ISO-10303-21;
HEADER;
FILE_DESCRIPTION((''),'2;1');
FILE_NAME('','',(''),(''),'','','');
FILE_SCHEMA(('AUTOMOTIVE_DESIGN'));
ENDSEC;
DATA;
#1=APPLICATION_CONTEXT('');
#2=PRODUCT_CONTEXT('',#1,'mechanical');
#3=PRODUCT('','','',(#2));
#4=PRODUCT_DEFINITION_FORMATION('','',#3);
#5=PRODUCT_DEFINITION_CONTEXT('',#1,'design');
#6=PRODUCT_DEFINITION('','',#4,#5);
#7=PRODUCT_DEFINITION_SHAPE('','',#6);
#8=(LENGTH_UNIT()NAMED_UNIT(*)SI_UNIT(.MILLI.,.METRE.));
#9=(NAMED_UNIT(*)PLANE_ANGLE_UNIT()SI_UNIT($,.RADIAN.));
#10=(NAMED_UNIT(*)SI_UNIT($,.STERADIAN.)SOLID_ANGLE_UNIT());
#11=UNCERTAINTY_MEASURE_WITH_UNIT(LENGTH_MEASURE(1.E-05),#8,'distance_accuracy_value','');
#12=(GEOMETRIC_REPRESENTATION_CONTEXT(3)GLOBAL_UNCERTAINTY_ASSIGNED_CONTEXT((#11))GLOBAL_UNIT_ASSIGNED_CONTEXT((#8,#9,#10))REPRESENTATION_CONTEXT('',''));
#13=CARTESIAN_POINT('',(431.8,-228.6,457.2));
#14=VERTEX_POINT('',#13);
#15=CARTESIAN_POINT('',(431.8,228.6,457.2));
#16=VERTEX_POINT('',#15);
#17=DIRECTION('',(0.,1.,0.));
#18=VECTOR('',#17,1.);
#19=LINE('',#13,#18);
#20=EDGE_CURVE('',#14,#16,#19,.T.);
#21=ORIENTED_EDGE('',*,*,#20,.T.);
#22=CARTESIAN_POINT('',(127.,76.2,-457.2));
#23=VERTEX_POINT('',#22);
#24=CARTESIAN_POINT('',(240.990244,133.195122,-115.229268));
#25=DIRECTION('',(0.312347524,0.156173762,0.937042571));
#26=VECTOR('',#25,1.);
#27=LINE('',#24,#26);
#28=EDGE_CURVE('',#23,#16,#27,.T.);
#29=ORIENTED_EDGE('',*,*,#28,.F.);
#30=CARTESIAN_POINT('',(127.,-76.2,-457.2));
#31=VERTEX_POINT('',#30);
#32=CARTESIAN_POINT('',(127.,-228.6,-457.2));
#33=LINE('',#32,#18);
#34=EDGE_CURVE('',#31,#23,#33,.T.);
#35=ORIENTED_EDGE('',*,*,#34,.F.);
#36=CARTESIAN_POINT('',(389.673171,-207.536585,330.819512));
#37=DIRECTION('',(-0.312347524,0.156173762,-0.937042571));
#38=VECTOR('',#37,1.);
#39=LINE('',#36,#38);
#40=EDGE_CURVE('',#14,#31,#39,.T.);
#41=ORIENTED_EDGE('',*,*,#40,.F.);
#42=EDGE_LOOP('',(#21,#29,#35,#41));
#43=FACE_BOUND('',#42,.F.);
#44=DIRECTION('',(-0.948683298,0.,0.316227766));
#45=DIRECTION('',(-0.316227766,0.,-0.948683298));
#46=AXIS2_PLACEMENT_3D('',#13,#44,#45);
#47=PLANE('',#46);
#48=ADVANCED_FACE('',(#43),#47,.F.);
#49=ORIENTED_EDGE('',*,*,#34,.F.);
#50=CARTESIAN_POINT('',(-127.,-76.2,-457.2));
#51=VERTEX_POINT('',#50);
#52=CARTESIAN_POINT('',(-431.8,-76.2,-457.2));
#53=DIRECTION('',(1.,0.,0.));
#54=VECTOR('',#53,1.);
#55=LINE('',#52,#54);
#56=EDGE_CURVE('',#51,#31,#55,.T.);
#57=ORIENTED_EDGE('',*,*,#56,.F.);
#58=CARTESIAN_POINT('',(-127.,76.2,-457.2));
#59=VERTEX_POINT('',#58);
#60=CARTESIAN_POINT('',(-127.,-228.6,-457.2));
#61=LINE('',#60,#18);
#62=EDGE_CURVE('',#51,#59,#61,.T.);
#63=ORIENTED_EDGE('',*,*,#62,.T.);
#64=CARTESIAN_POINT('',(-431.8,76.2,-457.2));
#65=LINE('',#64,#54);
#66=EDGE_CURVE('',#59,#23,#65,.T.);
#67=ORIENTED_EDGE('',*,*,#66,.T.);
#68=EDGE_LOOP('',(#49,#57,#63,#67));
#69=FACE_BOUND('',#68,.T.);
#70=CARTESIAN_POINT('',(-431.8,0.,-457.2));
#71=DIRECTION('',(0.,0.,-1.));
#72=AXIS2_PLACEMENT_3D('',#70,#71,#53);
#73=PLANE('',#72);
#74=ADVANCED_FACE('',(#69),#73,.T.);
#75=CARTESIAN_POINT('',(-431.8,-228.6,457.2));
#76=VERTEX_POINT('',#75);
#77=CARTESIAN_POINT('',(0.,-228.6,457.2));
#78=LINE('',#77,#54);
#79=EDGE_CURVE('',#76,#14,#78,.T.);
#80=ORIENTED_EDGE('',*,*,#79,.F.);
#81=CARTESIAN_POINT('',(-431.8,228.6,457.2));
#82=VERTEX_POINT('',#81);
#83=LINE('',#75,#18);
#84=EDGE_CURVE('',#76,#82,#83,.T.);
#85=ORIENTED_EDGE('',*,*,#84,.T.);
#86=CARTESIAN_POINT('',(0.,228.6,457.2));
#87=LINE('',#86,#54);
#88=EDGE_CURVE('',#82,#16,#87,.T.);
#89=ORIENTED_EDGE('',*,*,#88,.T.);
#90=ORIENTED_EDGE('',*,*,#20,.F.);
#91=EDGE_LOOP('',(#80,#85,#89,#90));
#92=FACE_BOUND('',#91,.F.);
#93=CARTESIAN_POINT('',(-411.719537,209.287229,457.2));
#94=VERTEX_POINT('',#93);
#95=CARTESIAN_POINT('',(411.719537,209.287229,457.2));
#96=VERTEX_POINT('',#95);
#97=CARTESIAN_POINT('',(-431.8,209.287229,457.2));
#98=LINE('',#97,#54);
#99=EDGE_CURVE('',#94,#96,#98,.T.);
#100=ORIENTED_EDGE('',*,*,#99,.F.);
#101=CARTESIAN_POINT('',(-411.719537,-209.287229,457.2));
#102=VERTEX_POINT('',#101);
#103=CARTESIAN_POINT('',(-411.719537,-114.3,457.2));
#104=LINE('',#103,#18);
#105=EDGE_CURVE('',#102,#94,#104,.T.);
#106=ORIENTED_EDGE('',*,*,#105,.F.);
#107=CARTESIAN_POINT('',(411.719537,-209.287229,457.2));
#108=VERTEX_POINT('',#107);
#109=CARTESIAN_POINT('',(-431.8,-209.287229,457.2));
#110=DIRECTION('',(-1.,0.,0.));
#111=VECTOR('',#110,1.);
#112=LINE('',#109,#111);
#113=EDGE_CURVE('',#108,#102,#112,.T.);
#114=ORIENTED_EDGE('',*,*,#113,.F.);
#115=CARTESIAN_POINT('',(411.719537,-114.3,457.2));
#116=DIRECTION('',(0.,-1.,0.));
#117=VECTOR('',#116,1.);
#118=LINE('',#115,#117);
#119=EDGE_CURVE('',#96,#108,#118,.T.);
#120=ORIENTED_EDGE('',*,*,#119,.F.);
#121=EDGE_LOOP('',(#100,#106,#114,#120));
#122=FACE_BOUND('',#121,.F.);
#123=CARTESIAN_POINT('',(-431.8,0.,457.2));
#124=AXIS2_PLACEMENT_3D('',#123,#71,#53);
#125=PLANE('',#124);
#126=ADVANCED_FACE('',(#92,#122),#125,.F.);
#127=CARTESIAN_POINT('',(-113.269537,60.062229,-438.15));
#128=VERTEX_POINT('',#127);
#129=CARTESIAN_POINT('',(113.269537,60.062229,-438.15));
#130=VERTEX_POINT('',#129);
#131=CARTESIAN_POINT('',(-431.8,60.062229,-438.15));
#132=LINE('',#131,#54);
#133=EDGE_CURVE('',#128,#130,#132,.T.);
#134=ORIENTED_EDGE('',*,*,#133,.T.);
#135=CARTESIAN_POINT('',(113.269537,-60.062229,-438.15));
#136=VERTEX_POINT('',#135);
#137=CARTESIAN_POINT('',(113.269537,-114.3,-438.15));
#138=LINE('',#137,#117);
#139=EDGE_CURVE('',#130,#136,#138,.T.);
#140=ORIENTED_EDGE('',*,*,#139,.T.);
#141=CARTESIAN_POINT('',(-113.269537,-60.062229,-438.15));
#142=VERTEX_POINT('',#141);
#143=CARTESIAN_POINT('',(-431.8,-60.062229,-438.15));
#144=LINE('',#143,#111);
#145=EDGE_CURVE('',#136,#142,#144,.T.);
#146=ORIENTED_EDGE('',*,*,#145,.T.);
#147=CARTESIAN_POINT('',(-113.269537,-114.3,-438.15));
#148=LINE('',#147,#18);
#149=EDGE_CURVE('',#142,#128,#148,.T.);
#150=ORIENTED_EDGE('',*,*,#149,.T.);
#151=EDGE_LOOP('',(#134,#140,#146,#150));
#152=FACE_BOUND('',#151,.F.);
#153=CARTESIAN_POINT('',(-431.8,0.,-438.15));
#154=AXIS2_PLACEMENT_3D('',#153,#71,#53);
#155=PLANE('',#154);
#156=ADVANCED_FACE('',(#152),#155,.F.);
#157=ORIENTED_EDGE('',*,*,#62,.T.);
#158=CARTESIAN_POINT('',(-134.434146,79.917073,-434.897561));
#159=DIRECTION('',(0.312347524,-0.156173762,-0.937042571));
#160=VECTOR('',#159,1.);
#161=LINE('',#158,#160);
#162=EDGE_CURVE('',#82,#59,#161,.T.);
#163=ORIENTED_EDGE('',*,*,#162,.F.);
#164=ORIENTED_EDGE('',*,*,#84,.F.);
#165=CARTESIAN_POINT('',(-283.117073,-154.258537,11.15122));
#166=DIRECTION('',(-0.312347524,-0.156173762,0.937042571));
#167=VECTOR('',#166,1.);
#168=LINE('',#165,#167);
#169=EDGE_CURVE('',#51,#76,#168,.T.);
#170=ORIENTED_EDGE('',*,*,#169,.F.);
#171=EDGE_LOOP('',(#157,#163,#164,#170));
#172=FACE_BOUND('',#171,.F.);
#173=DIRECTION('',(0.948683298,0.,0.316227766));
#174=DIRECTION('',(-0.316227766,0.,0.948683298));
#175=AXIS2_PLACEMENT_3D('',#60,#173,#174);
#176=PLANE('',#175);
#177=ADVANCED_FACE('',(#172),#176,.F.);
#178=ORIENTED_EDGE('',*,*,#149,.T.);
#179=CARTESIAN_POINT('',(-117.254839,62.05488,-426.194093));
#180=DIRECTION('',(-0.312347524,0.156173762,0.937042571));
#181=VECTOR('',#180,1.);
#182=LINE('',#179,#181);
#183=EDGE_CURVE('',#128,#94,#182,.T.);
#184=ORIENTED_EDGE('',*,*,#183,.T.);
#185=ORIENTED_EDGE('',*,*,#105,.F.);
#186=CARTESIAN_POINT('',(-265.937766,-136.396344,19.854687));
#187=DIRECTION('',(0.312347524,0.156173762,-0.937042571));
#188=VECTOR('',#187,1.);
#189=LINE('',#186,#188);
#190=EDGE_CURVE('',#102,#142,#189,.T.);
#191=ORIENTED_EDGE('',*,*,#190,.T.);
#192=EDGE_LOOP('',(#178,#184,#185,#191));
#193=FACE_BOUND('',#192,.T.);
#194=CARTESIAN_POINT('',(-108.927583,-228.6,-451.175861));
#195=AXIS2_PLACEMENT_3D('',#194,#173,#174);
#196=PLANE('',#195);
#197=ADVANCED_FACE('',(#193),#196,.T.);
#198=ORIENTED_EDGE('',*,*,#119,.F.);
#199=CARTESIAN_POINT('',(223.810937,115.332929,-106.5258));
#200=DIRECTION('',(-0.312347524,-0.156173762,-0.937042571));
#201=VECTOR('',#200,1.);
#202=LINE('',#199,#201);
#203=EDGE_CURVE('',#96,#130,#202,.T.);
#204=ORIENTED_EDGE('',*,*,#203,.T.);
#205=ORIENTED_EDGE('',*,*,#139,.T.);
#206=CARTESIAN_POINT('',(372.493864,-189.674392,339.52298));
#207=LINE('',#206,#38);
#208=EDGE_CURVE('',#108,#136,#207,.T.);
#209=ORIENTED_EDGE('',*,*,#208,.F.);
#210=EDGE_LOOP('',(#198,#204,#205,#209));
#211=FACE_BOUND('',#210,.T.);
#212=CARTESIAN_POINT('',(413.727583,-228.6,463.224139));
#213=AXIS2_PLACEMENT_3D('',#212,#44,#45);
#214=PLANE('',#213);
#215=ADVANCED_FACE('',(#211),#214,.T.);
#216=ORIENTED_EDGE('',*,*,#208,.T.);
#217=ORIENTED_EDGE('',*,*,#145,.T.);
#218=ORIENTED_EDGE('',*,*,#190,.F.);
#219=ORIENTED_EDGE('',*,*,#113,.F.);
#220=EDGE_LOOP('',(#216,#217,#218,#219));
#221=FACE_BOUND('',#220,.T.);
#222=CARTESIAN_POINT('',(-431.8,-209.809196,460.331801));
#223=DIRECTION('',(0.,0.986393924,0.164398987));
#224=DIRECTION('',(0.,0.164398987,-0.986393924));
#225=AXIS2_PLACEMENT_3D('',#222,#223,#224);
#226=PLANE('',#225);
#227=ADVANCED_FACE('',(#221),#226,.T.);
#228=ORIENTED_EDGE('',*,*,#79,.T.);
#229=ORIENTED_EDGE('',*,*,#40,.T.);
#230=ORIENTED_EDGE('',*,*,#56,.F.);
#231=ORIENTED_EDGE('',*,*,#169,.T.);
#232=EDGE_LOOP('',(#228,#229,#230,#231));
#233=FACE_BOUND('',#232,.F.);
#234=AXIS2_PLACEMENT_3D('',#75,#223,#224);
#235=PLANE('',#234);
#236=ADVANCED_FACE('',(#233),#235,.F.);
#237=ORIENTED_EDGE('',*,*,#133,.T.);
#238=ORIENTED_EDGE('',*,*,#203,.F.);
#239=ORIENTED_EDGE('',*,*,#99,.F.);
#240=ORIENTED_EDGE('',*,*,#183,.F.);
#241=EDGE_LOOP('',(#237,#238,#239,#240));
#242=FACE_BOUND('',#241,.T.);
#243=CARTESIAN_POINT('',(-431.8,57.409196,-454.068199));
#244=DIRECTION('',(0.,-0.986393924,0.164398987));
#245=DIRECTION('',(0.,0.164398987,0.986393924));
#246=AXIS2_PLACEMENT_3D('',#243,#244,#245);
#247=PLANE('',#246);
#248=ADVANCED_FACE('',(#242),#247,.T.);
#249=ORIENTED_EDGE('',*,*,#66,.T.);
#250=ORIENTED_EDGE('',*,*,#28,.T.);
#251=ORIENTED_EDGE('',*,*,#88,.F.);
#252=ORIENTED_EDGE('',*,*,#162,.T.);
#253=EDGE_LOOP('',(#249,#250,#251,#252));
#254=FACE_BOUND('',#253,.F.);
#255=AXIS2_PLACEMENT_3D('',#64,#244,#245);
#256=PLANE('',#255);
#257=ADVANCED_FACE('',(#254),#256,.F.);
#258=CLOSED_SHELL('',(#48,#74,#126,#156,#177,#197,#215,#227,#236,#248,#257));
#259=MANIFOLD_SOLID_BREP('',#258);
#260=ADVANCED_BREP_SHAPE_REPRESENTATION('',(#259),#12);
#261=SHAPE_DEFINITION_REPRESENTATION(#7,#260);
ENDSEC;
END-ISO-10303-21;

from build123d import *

# Parameters (mm, degrees)
F0_W     = 863.6
F0_H     = 914.4
F1_DEPTH = 228.6
F4_DEPTH = 457.201
F5_DEPTH = 863.601
F6_T     = -19.05


with BuildPart() as f1:
    # F0 (on Front) → F1 (new body, symmetric)
    with BuildSketch(Plane.XZ):
        Rectangle(F0_W, F0_H)
    extrude(amount=F1_DEPTH, both=True)

    # F2 (on face) → F4 (cut, through all)
    with BuildSketch(Plane.XZ.offset(228.6)):
        Polygon((-127, -457.2), (-431.8, 457.2), (-431.8, -457.2), align=None)
        Polygon((431.8, -457.2), (431.8, 457.2), (127, -457.2), align=None)
    extrude(amount=-F4_DEPTH, mode=Mode.SUBTRACT)

    # F3 (on face) → F5 (cut, through all)
    with BuildSketch(Plane(origin=(-431.8, 0, 0), x_dir=(0, -1, 0), z_dir=(-1, 0, 0))):
        Polygon((-76.2, -457.2), (-228.6, 457.2), (-228.6, -457.2), align=None)
        Polygon((228.6, -457.2), (228.6, 457.2), (76.2, -457.2), align=None)
    extrude(amount=-F5_DEPTH, mode=Mode.SUBTRACT)

    # F6
    f6_openings = [f1.faces().sort_by_distance(p)[0] for p in [
        (0, 0, 457.2),
    ]]
    offset(amount=F6_T, openings=f6_openings)


solid = f1.part
